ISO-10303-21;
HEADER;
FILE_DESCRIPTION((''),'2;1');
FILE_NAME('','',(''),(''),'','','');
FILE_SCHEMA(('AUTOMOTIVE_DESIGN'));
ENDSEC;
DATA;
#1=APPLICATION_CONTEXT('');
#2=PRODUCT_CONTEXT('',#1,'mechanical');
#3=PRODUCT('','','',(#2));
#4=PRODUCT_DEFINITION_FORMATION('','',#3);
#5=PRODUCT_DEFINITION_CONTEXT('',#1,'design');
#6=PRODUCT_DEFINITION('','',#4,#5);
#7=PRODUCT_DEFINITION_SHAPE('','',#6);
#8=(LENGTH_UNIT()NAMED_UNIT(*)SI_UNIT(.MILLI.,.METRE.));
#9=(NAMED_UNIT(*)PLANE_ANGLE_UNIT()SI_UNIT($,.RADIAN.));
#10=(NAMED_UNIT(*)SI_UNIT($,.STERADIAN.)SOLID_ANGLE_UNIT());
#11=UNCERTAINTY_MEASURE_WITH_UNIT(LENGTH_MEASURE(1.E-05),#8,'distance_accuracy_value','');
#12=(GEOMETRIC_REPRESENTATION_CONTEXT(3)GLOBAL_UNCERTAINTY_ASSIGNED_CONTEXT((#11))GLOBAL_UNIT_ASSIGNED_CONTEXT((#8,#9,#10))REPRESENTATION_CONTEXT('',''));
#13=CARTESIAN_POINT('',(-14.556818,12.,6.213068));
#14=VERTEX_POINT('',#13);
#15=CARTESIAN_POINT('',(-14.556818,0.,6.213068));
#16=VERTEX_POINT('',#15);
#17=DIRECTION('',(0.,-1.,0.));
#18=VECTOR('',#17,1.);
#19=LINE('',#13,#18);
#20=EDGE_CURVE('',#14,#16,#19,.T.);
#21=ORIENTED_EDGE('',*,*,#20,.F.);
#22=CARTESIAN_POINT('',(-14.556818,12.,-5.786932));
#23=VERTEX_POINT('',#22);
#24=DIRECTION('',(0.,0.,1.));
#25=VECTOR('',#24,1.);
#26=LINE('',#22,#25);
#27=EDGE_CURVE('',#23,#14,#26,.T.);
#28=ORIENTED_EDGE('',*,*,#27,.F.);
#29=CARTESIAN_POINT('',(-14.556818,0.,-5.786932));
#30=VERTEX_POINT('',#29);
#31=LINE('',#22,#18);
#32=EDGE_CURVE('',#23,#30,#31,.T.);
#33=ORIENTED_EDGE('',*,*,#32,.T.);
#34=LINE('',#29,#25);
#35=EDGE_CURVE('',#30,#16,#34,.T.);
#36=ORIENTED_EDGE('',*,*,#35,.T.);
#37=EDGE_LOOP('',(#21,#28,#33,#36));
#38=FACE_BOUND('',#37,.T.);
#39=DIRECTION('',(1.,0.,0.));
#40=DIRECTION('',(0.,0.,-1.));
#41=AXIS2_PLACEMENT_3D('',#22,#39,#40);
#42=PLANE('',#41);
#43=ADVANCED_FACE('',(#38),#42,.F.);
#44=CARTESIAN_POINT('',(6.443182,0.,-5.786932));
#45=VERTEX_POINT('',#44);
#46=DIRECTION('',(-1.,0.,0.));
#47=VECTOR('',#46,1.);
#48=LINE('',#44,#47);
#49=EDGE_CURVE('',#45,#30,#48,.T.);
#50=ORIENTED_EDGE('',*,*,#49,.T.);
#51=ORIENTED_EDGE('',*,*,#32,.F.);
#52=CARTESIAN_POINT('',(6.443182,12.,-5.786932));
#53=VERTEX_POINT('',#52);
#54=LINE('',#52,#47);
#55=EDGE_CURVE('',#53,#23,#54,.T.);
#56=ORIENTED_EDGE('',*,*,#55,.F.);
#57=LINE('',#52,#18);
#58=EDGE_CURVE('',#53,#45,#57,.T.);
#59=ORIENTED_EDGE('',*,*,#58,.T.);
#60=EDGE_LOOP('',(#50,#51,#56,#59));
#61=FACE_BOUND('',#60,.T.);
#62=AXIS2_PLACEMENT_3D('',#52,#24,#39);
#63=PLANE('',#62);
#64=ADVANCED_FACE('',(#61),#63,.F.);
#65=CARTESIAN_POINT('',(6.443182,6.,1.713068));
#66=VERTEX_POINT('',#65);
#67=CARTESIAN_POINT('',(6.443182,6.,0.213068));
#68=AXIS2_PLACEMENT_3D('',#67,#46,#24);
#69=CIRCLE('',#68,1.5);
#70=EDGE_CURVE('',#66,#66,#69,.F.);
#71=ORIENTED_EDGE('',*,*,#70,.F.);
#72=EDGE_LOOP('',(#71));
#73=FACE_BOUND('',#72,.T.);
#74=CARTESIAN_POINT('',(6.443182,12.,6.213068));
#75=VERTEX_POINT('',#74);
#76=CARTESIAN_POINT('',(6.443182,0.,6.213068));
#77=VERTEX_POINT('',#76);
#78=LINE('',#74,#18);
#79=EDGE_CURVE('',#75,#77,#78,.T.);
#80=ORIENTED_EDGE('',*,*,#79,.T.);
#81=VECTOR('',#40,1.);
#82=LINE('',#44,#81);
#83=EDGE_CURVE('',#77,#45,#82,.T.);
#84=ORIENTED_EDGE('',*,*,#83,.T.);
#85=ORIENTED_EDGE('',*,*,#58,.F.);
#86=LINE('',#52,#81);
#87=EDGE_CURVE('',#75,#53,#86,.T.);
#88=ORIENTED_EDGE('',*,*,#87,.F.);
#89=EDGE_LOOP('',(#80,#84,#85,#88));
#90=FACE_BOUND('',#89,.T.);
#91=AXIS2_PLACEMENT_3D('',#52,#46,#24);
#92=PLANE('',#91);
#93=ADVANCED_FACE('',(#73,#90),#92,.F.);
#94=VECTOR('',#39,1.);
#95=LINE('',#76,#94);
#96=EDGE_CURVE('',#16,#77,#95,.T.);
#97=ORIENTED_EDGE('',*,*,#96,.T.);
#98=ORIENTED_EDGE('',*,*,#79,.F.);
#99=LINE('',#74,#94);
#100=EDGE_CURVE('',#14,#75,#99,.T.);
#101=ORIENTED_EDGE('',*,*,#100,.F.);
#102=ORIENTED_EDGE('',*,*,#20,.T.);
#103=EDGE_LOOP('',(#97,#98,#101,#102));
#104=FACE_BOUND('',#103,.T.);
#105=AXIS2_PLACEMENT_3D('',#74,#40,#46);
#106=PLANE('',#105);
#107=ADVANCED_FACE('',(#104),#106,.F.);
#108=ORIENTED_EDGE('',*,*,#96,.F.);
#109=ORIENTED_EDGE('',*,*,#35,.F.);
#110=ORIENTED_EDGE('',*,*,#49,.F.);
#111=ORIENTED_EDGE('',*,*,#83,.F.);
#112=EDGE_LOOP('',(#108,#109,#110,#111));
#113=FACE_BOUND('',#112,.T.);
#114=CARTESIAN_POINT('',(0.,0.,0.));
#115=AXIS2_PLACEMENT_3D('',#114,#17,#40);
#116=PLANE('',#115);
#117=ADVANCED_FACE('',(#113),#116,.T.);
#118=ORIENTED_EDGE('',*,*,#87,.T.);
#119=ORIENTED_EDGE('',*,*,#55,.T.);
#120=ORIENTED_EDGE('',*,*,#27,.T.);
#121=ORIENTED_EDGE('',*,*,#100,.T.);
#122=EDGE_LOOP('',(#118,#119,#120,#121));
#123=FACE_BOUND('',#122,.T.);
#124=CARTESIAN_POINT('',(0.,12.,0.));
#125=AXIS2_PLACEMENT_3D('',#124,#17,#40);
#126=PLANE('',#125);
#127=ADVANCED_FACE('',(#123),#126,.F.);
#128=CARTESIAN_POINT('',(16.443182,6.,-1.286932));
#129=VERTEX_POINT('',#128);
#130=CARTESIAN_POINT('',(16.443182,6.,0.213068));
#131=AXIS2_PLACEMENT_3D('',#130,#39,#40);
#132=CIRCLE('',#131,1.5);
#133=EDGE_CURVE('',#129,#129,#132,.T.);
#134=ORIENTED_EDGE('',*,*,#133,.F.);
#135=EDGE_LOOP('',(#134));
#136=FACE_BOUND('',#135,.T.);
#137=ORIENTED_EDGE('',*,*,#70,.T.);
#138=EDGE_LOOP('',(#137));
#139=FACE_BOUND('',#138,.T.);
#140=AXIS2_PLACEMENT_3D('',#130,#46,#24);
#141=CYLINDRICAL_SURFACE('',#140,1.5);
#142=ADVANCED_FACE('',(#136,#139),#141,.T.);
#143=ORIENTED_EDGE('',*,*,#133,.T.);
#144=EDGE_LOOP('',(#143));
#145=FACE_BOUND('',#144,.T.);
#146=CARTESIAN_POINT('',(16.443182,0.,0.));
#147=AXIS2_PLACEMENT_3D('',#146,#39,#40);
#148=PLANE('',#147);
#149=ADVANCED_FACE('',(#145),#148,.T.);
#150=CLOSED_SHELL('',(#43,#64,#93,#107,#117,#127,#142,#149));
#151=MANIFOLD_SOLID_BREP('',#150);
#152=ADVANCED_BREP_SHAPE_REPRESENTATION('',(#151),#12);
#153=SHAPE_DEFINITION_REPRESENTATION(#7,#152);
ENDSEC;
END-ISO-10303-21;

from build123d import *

# Parameters (mm, degrees)
SKETCH1_W           = 21
SKETCH1_H           = 12
BOSS_EXTRUDE1_DEPTH = 12
BOSS_EXTRUDE2_DEPTH = 10


with BuildPart() as part:
    # Sketch1 → Boss-Extrude1 (new body)
    with BuildSketch(Plane(origin=(0, 0, 0), x_dir=(1, 0, 0), z_dir=(0, 1, 0))):
        with Locations((-4.056818182, -0.213068182)):
            Rectangle(SKETCH1_W, SKETCH1_H)
    extrude(amount=BOSS_EXTRUDE1_DEPTH)

    # Sketch2 → Boss-Extrude2 (add)
    with BuildSketch(Plane(origin=(6.443181818, 0, 0), x_dir=(0, 0, -1), z_dir=(1, 0, 0))):
        with BuildLine():
            ThreePointArc((1.286931818, 6), (-0.213068182, 7.5), (-1.713068182, 6))
            Line((-1.713068182, 6), (1.286931818, 6))
        make_face()
        with BuildLine():
            Line((1.286931818, 6), (-1.713068182, 6))
            ThreePointArc((-1.713068182, 6), (-0.213068182, 4.5), (1.286931818, 6))
        make_face()
    extrude(amount=BOSS_EXTRUDE2_DEPTH)


solid = part.part
